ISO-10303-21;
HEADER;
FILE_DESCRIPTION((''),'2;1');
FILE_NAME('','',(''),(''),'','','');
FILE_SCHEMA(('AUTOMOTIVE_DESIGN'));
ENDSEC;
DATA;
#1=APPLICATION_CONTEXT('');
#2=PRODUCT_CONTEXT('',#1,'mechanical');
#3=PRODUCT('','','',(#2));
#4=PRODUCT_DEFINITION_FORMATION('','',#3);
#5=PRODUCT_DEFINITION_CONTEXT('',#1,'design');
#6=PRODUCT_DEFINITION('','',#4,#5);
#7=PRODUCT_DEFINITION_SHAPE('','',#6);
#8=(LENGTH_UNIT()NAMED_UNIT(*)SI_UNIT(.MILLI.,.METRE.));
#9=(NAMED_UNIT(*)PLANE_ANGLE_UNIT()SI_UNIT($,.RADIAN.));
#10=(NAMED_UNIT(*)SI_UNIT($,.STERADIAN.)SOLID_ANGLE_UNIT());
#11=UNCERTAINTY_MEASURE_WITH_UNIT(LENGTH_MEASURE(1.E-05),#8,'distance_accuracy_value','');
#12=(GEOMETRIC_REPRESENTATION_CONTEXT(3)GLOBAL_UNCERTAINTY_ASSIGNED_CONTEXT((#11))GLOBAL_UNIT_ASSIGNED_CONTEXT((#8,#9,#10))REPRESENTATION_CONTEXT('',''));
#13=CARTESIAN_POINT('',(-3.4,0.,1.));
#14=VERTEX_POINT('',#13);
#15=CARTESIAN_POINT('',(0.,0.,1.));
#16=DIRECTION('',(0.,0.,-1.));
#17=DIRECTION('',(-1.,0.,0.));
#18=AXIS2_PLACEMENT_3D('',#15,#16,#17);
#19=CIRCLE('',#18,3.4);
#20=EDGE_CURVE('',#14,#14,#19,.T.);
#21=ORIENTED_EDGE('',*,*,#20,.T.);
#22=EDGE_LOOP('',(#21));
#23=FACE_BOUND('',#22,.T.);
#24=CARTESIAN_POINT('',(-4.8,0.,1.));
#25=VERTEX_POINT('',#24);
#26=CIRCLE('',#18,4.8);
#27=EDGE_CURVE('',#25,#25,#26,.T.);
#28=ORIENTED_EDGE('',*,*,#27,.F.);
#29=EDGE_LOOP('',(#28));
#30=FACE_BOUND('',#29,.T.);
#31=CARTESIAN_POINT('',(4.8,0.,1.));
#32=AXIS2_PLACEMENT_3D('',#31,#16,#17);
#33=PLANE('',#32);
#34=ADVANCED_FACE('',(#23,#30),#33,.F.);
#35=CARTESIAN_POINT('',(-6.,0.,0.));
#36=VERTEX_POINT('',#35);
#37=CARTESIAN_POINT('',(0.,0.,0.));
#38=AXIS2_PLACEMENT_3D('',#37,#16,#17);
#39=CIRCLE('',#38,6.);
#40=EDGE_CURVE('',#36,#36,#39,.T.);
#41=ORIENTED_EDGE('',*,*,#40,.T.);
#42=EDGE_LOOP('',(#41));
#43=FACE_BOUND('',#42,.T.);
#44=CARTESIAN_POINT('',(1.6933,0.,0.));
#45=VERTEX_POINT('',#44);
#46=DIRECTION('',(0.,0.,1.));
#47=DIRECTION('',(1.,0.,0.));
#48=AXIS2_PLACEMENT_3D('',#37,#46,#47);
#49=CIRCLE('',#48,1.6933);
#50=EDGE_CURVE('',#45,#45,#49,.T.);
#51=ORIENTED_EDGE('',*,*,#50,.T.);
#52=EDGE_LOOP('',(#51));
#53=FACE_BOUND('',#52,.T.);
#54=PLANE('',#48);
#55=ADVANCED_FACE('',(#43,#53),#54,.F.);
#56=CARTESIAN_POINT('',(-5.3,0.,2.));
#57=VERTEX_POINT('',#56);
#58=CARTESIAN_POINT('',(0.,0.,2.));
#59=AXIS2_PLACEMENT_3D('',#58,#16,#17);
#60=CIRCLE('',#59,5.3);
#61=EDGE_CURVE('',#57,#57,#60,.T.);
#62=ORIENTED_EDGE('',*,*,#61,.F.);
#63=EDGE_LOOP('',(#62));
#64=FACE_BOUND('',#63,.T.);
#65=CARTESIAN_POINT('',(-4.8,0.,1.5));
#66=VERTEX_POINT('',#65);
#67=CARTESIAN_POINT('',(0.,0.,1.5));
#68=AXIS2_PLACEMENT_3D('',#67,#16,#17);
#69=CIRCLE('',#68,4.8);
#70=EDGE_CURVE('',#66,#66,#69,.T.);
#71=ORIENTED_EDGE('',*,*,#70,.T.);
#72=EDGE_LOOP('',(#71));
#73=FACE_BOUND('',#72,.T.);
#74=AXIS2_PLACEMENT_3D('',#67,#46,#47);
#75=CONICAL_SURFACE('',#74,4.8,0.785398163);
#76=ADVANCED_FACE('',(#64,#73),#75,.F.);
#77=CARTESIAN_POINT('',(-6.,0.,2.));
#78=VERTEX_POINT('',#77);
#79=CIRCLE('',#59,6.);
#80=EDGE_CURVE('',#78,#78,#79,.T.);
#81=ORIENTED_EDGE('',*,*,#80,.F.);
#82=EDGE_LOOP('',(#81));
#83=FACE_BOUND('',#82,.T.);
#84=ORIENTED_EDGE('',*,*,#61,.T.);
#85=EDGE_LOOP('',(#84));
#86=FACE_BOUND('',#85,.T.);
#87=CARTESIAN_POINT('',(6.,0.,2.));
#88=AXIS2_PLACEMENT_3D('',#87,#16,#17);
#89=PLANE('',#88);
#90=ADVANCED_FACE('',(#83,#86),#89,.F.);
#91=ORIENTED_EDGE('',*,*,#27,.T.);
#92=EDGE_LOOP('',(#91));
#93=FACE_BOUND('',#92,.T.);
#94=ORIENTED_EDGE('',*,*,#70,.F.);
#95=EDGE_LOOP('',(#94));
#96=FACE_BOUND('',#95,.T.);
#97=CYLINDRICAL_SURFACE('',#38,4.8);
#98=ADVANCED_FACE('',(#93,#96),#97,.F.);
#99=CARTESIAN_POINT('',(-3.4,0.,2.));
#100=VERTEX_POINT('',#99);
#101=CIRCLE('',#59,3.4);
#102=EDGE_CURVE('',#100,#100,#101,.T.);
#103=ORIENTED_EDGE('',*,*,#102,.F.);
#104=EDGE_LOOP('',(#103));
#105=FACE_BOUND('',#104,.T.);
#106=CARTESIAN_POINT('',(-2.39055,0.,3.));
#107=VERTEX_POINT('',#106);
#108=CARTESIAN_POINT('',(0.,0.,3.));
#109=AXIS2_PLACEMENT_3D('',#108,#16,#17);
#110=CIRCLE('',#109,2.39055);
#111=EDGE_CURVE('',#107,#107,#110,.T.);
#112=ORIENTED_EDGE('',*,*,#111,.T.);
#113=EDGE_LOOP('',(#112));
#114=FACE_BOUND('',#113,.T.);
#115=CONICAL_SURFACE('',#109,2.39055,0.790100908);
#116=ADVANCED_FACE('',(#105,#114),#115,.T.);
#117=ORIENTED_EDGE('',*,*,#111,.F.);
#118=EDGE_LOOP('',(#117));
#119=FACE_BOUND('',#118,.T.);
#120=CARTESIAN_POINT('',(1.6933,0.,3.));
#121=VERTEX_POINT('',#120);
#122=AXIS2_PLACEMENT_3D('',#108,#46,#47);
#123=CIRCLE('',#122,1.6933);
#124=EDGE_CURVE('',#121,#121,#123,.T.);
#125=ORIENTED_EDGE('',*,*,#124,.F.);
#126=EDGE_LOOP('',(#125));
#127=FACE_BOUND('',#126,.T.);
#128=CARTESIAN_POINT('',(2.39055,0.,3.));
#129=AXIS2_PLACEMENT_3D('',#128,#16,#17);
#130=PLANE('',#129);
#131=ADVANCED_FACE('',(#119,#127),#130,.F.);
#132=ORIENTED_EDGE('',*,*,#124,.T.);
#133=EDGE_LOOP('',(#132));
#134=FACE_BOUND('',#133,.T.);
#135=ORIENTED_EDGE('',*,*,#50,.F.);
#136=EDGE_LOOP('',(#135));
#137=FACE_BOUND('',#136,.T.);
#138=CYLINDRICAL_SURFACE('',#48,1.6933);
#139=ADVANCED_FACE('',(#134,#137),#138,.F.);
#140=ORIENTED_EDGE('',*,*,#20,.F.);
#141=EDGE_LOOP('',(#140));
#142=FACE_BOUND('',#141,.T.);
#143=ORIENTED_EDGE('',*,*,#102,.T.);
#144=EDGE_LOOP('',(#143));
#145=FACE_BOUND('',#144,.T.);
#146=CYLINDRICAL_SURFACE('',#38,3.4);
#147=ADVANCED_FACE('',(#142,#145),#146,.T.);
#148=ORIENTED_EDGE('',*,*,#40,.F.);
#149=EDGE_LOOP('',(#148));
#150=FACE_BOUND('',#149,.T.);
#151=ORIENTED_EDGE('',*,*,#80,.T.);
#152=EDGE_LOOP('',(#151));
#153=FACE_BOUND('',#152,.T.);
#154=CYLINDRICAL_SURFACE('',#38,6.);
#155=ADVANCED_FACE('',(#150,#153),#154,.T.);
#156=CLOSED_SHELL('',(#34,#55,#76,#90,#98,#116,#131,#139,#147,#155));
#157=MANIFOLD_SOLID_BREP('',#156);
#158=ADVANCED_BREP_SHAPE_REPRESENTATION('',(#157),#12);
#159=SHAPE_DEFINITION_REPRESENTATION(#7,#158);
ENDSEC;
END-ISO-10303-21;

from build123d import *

# Parameters (mm, degrees)
SKETCH2_R          = 1.6933
CUT_EXTRUDE1_DEPTH = 10


with BuildPart() as part:
    # Sketch1 → Revolve1 (revolve)
    with BuildSketch(Plane(origin=(0, 0, 0), x_dir=(1, 0, 0), z_dir=(0, 1, 0)), mode=Mode.PRIVATE) as revolve1_sk:
        Polygon((0, 0), (6, 0), (6, -2), (5.3, -2), (4.8, -1.5), (4.8, -1), (3.4, -1), (3.4, -2), (2.39055, -3), (0, -3), align=None)
    revolve(revolve1_sk.sketch.rotate(Axis((0, 0, 0), (0, 0, 1)), 180), axis=Axis((0, 0, 0), (0, 0, 1)))

    # Sketch2 → Cut-Extrude1 (cut, through all)
    with BuildSketch(Plane.XY.offset(3)):
        Circle(SKETCH2_R)
    extrude(amount=-CUT_EXTRUDE1_DEPTH, mode=Mode.SUBTRACT)


solid = part.part
